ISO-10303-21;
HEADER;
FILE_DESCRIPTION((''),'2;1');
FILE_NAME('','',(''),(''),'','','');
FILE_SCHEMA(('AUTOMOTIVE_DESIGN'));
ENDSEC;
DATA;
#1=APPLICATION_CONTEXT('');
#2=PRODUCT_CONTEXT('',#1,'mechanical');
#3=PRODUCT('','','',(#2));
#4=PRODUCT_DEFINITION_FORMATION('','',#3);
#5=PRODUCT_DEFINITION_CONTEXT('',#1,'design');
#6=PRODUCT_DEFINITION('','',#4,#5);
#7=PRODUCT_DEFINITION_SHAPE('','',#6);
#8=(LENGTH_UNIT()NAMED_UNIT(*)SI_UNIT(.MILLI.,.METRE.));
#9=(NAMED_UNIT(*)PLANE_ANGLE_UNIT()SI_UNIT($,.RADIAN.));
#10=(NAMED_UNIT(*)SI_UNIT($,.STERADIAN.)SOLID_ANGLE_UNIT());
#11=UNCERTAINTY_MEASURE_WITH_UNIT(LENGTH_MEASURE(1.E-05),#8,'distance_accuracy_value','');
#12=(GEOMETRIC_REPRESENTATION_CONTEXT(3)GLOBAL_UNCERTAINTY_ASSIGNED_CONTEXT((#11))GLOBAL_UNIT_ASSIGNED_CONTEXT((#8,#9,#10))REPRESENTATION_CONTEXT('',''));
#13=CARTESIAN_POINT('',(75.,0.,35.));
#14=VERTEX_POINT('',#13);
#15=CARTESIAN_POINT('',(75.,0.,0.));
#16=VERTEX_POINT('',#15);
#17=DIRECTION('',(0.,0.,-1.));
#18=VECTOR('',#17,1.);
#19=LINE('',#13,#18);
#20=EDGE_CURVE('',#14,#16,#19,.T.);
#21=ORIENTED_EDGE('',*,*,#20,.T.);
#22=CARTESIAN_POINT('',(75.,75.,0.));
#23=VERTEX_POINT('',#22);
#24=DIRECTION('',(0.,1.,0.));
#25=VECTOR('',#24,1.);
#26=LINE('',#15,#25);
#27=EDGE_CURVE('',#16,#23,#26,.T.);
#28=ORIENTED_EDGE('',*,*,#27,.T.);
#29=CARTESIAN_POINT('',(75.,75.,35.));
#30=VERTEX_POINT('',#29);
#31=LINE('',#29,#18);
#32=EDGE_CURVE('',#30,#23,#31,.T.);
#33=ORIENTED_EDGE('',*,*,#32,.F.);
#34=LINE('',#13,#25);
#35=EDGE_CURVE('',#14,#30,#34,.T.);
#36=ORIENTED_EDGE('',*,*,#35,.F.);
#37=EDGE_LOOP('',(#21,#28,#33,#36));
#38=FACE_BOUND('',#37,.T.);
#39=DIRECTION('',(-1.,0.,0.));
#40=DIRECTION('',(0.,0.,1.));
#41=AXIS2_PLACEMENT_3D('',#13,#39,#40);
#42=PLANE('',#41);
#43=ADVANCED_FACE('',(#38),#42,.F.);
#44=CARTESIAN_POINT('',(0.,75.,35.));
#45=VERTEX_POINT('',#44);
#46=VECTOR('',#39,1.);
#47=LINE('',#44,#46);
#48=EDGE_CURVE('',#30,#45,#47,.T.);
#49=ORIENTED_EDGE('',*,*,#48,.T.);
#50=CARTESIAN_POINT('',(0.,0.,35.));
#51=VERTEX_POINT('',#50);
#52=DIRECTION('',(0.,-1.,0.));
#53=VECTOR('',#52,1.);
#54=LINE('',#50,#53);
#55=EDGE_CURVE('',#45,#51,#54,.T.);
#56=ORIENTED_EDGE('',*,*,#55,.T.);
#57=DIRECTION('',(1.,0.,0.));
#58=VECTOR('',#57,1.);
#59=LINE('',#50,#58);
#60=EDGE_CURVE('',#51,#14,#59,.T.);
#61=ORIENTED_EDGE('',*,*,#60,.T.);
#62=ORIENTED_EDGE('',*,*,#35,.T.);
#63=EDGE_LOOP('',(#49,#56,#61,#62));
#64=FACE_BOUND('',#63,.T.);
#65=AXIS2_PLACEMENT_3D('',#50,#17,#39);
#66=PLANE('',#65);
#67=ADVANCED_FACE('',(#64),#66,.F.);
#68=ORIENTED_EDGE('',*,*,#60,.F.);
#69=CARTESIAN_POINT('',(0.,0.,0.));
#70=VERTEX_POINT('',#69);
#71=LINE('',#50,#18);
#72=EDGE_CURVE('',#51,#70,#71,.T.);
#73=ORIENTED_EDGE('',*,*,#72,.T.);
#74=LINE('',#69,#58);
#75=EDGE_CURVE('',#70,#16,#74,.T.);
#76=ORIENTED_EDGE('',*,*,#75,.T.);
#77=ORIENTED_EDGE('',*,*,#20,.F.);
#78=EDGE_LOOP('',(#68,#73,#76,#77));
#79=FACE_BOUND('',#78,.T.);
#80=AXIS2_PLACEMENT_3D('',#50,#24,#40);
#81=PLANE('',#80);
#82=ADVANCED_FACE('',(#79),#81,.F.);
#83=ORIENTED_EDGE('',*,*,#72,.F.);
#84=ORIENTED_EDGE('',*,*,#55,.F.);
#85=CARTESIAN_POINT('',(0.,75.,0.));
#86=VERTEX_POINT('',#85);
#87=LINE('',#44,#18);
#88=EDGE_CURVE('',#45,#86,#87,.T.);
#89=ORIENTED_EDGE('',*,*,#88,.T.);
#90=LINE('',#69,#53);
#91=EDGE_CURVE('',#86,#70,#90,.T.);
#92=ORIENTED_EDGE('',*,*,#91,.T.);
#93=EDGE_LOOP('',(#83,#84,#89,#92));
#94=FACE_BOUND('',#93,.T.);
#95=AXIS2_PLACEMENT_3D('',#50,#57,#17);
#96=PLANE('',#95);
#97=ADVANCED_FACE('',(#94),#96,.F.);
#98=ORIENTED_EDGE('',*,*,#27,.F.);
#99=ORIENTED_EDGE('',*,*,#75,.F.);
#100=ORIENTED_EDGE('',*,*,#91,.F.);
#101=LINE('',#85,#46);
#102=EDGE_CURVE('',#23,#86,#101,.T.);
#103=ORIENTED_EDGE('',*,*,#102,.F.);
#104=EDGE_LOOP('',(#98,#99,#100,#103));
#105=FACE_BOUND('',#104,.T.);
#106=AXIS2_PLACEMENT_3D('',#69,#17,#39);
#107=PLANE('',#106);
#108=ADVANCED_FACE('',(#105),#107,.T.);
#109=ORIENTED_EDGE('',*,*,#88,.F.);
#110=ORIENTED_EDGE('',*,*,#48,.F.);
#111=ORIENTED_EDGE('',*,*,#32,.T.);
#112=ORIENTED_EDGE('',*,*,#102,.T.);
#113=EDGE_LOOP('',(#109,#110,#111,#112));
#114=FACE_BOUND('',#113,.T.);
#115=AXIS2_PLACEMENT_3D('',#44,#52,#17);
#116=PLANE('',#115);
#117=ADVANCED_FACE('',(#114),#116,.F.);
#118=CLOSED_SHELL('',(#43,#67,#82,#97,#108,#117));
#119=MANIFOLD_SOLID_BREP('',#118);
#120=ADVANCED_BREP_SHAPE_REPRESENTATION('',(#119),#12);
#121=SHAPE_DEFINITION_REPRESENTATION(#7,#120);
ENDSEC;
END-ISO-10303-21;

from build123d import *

# Parameters (mm, degrees)
SKETCH_1_W      = 75
SKETCH_1_H      = 75
EXTRUDE_1_DEPTH = 35


with BuildPart() as part:
    # ｽｹｯﾁ1 → ﾎﾞｽ - 押し出し1 (new body)
    with BuildSketch(Plane.XY):
        with Locations((37.5, 37.5)):
            Rectangle(SKETCH_1_W, SKETCH_1_H)
    extrude(amount=EXTRUDE_1_DEPTH)


solid = part.part
